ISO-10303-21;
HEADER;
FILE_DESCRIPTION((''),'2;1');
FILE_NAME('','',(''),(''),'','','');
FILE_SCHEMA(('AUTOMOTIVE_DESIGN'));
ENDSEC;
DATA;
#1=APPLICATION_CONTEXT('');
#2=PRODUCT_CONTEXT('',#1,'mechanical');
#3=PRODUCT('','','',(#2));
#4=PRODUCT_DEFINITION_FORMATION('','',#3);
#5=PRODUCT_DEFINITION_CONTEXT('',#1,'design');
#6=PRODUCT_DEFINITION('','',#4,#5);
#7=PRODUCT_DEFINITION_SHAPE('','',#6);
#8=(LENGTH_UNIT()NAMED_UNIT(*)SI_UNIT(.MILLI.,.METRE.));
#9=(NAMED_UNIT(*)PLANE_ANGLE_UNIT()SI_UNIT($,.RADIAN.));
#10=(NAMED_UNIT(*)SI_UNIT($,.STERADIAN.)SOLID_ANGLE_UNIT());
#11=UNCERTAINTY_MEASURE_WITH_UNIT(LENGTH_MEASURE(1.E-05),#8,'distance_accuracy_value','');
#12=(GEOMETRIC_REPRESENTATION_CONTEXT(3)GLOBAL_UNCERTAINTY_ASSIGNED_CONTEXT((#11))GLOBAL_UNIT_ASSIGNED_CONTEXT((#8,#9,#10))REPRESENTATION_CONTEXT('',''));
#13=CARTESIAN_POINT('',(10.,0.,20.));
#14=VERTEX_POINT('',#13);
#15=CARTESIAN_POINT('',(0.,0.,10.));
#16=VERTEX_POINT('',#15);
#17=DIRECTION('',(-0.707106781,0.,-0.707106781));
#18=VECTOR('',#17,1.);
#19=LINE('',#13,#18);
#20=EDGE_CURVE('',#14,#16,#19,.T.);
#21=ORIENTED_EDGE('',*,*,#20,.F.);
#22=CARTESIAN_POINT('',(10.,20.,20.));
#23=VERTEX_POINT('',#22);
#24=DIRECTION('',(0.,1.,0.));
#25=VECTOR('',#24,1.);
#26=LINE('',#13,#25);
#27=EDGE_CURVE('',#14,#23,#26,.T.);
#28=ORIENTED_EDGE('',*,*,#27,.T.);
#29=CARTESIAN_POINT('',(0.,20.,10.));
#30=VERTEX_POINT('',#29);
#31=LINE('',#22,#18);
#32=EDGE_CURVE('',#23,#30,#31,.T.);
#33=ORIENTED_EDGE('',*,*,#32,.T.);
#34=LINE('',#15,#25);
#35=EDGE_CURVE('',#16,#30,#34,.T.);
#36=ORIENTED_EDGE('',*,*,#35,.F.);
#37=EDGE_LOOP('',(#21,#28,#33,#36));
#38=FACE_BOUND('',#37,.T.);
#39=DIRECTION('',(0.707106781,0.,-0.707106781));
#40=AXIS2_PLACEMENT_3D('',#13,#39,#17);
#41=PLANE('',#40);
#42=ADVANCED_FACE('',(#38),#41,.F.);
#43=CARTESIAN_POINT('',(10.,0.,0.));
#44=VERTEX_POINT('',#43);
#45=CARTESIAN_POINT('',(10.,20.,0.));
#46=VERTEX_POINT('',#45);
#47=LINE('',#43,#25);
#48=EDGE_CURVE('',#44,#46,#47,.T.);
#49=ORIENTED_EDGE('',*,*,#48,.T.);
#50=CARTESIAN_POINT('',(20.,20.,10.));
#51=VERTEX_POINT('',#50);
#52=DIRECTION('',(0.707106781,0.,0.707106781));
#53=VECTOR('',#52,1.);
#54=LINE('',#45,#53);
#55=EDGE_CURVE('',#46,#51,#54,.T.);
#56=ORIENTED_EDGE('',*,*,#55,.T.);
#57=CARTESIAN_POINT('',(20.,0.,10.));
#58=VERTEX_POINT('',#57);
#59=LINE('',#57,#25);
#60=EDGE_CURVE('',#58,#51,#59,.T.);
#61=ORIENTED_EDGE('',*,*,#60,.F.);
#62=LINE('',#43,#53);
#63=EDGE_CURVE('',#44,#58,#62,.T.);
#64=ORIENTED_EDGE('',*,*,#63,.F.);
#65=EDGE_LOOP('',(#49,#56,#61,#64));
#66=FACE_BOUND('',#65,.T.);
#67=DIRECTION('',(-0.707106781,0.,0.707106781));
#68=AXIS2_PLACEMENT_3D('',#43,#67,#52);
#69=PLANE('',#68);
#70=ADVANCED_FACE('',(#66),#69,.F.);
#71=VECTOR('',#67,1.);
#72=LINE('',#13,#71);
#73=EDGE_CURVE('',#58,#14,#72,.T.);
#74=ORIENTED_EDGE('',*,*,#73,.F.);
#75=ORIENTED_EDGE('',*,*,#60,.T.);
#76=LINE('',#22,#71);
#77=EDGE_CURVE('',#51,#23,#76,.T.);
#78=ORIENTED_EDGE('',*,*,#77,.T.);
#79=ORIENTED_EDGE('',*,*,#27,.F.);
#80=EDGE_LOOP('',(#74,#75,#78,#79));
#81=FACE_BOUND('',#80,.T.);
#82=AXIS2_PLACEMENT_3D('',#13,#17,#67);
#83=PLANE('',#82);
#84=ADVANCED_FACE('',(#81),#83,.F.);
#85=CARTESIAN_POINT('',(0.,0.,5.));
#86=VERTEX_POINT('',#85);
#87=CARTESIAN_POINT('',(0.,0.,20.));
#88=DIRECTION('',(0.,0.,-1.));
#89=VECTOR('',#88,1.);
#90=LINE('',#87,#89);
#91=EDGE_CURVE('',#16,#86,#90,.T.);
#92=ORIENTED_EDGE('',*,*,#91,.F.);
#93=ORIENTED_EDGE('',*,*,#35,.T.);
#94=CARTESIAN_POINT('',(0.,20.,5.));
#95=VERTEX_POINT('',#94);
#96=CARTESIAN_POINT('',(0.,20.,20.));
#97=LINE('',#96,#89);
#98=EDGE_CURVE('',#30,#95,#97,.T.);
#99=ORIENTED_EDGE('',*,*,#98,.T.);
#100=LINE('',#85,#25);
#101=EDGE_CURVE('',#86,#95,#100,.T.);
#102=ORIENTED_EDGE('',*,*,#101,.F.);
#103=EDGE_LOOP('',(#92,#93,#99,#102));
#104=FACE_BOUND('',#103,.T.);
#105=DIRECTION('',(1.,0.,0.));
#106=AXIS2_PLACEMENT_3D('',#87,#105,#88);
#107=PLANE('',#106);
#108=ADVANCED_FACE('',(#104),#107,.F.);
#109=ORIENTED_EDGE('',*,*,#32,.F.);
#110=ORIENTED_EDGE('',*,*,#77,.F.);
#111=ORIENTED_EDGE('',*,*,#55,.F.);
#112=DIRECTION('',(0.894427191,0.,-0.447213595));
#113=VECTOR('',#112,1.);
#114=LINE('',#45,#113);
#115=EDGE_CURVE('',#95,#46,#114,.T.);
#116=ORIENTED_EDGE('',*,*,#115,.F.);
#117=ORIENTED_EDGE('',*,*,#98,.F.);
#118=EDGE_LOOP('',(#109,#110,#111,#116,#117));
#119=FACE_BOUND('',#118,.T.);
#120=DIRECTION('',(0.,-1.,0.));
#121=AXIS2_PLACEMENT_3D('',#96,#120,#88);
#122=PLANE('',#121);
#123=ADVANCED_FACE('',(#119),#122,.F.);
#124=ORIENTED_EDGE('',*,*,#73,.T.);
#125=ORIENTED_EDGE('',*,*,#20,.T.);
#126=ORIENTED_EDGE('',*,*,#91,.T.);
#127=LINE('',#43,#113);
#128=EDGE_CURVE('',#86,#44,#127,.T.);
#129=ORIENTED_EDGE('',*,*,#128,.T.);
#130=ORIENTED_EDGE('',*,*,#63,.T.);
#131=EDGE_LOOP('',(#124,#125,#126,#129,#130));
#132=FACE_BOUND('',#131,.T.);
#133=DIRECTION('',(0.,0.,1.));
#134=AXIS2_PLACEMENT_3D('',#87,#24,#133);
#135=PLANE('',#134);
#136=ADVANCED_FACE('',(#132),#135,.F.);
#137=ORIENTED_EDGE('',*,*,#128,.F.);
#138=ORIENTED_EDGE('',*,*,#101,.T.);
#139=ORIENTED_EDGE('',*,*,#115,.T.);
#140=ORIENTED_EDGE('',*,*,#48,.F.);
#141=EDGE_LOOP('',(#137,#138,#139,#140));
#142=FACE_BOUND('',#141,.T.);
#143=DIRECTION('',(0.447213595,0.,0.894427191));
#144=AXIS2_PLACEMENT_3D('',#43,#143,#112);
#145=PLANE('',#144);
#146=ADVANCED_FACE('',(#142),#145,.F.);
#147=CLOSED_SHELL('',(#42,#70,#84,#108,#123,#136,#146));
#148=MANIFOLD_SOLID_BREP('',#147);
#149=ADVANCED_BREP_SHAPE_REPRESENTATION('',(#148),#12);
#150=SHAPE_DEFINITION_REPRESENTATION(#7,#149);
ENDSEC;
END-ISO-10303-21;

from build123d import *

# Parameters (mm, degrees)
SKETCH1_W           = 20
SKETCH1_H           = 20
BOSS_EXTRUDE1_DEPTH = 20
CUT_EXTRUDE1_DEPTH  = 20
CUT_EXTRUDE2_DEPTH  = 20
CUT_EXTRUDE3_DEPTH  = 20
CUT_EXTRUDE4_DEPTH  = 20


with BuildPart() as part:
    # Sketch1 → Boss-Extrude1 (new body)
    with BuildSketch(Plane.XY):
        with Locations((10, 10)):
            Rectangle(SKETCH1_W, SKETCH1_H)
    extrude(amount=BOSS_EXTRUDE1_DEPTH)

    # Sketch2 → Cut-Extrude1 (cut)
    with BuildSketch(Plane(origin=(0, 20, 0), x_dir=(1, 0, 0), z_dir=(0, 1, 0))):
        Polygon((20, 0), (10, 0), (20, -10), align=None)
    extrude(amount=-CUT_EXTRUDE1_DEPTH, mode=Mode.SUBTRACT)

    # Sketch3 → Cut-Extrude2 (cut)
    with BuildSketch(Plane(origin=(0, 20, 0), x_dir=(1, 0, 0), z_dir=(0, 1, 0))):
        Polygon((20, -20), (10, -20), (20, -10), align=None)
    extrude(amount=-CUT_EXTRUDE2_DEPTH, mode=Mode.SUBTRACT)

    # Sketch4 → Cut-Extrude3 (cut)
    with BuildSketch(Plane(origin=(0, 20, 0), x_dir=(1, 0, 0), z_dir=(0, 1, 0))):
        Polygon((10, -20), (0, -10), (0, -20), align=None)
    extrude(amount=-CUT_EXTRUDE3_DEPTH, mode=Mode.SUBTRACT)

    # Sketch5 → Cut-Extrude4 (cut)
    with BuildSketch(Plane(origin=(0, 20, 0), x_dir=(1, 0, 0), z_dir=(0, 1, 0))):
        Polygon((10, 0), (0, -5), (0, 0), align=None)
    extrude(amount=-CUT_EXTRUDE4_DEPTH, mode=Mode.SUBTRACT)


solid = part.part
